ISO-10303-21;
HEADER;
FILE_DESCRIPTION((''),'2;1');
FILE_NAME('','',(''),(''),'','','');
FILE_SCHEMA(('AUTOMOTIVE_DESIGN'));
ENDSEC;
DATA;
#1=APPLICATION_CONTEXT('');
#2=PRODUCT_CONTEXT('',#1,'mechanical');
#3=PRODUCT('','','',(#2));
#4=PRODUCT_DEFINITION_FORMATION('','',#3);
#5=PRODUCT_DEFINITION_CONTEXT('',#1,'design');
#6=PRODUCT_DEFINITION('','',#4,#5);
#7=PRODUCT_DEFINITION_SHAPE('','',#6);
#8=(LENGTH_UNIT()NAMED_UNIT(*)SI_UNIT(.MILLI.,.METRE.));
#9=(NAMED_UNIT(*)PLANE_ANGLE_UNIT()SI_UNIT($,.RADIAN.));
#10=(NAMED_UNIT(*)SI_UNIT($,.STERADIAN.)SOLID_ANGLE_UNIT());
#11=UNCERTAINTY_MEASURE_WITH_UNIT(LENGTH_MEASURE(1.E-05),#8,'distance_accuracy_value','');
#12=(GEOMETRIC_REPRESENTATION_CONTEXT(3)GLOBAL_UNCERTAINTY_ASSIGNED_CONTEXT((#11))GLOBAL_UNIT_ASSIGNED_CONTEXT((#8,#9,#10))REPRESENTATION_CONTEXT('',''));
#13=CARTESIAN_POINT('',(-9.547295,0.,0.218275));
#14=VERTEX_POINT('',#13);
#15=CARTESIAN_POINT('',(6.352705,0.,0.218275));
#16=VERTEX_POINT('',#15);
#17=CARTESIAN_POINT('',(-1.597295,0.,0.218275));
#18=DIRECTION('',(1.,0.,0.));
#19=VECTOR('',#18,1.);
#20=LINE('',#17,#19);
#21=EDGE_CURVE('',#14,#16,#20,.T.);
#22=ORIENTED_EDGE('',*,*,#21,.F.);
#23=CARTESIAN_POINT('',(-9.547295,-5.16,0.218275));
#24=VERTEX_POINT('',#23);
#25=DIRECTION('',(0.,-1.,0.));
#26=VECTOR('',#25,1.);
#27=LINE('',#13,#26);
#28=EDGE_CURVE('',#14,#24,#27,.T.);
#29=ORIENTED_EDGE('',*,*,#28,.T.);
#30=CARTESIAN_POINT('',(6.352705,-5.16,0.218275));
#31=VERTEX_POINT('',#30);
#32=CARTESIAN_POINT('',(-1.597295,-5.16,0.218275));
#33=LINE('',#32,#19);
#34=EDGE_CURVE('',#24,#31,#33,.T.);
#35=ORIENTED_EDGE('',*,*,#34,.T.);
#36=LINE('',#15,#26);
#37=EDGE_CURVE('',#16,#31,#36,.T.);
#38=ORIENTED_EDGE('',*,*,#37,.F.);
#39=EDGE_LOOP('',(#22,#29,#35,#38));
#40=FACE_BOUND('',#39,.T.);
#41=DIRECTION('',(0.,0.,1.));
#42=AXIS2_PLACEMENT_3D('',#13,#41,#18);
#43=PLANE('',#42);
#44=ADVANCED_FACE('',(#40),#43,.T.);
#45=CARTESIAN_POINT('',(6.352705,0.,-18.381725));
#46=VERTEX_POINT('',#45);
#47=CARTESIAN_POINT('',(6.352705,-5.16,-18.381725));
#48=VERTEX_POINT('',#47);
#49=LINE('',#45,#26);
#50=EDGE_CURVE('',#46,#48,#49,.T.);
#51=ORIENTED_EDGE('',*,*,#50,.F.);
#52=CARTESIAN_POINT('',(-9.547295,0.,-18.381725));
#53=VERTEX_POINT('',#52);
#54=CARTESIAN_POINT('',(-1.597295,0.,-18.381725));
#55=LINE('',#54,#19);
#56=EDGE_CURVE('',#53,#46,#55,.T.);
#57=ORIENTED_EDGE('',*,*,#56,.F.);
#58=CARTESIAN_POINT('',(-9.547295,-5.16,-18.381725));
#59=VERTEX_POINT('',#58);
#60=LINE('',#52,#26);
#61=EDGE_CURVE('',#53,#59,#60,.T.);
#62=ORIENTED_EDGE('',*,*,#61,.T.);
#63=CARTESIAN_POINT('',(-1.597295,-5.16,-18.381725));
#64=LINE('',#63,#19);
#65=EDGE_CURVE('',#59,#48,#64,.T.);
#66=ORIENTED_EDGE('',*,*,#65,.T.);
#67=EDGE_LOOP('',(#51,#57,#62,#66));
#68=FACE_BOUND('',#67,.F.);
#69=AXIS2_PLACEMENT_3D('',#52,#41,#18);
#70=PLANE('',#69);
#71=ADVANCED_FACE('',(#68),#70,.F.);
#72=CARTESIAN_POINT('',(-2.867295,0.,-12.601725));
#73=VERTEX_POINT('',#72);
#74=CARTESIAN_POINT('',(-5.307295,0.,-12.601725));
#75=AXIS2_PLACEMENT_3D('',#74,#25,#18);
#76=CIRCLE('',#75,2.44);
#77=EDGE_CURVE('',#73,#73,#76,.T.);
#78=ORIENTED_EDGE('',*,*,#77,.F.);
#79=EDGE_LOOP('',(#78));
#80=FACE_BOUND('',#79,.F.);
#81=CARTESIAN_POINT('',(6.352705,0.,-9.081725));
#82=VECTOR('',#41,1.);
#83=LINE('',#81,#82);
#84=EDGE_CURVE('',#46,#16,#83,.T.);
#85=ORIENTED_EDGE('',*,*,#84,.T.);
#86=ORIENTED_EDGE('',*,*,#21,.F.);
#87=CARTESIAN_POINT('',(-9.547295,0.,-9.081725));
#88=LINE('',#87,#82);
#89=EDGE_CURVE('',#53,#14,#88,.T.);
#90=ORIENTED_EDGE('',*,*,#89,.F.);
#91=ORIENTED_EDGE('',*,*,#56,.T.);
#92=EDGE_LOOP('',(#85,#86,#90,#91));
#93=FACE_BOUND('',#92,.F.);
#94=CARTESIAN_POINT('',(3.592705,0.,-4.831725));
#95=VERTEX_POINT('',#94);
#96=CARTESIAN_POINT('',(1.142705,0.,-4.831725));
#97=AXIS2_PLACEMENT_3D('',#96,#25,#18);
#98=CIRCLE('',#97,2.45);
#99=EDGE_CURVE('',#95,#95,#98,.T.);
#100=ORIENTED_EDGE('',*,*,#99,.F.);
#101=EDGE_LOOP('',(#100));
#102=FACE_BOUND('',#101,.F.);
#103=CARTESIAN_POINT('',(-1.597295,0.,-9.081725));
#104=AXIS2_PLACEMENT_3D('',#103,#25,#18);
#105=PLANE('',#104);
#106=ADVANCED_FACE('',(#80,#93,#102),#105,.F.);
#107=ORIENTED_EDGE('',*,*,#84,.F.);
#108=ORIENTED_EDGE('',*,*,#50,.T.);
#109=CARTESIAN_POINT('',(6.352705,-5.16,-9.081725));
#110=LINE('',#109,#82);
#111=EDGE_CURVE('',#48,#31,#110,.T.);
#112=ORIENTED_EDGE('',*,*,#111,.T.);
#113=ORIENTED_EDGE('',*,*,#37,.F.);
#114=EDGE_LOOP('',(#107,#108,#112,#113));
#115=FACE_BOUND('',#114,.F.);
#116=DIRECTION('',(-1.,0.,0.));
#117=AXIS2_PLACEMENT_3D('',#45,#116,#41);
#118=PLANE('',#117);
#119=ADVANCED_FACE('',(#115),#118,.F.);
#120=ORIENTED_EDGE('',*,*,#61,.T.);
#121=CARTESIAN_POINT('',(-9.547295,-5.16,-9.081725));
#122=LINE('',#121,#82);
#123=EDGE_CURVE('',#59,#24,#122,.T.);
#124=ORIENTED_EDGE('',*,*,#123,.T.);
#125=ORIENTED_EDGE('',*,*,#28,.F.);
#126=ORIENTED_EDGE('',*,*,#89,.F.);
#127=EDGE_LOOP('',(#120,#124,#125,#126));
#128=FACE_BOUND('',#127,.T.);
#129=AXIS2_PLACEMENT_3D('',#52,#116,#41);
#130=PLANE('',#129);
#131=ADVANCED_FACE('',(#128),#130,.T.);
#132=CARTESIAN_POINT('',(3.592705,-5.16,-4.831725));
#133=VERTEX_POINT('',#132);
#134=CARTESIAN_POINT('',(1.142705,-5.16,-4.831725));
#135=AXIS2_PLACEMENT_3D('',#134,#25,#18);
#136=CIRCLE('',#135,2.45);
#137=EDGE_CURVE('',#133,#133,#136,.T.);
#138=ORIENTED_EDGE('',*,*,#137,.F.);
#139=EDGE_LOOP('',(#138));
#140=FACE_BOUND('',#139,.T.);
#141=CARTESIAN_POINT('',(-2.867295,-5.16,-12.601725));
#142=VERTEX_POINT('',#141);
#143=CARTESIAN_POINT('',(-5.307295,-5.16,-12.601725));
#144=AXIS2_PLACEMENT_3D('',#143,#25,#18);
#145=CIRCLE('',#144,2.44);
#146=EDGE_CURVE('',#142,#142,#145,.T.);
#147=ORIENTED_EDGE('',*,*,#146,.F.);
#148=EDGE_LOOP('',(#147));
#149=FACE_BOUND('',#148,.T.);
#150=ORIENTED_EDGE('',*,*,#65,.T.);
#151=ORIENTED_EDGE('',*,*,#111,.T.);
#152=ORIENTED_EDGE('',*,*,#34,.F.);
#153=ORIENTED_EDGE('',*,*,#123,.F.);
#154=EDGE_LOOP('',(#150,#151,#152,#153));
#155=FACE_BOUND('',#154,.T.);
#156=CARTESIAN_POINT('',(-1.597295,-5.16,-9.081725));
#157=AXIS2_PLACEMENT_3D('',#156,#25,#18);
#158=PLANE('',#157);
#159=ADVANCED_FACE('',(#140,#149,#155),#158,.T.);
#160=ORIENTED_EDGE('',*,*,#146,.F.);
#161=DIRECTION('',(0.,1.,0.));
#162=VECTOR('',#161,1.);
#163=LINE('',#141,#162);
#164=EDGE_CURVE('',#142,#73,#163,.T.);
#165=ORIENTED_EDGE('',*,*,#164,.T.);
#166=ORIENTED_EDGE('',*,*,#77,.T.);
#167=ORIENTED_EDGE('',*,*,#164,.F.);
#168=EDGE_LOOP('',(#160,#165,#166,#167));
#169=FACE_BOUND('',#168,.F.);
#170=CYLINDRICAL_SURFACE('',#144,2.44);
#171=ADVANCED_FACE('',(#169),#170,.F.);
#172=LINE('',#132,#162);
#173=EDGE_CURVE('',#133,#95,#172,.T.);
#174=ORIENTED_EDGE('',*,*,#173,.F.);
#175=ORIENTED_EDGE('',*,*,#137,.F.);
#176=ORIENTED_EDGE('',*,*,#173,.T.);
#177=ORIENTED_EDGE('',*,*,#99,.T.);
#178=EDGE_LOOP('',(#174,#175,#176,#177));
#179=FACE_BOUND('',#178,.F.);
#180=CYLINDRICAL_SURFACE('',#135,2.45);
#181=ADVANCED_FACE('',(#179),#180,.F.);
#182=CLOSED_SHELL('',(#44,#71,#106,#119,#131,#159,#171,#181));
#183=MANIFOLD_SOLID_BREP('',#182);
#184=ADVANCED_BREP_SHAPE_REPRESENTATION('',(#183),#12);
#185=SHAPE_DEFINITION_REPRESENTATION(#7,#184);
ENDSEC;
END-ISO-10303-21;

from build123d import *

# Parameters (mm, degrees)
F0_W     = 15.9
F0_H     = 18.6
F1_DEPTH = 5.16
F2_R     = 2.45
F3_DEPTH = 5.161
F4_R     = 2.44
F5_DEPTH = 5.161


with BuildPart() as f1:
    # F0 (on Front) → F1 (new body)
    with BuildSketch(Plane.XZ):
        with Locations((-1.597295, -9.081725)):
            Rectangle(F0_W, F0_H)
    extrude(amount=F1_DEPTH)

    # F2 (on face) → F3 (cut, through all)
    with BuildSketch(Plane.XZ.offset(5.16)):
        with Locations((1.142705, -4.831725)):
            Circle(F2_R)
    extrude(amount=-F3_DEPTH, mode=Mode.SUBTRACT)

    # F4 (on face) → F5 (cut, through all)
    with BuildSketch(Plane.XZ.offset(5.16)):
        with Locations((-5.307295, -12.601725)):
            Circle(F4_R)
    extrude(amount=-F5_DEPTH, mode=Mode.SUBTRACT)


solid = f1.part
